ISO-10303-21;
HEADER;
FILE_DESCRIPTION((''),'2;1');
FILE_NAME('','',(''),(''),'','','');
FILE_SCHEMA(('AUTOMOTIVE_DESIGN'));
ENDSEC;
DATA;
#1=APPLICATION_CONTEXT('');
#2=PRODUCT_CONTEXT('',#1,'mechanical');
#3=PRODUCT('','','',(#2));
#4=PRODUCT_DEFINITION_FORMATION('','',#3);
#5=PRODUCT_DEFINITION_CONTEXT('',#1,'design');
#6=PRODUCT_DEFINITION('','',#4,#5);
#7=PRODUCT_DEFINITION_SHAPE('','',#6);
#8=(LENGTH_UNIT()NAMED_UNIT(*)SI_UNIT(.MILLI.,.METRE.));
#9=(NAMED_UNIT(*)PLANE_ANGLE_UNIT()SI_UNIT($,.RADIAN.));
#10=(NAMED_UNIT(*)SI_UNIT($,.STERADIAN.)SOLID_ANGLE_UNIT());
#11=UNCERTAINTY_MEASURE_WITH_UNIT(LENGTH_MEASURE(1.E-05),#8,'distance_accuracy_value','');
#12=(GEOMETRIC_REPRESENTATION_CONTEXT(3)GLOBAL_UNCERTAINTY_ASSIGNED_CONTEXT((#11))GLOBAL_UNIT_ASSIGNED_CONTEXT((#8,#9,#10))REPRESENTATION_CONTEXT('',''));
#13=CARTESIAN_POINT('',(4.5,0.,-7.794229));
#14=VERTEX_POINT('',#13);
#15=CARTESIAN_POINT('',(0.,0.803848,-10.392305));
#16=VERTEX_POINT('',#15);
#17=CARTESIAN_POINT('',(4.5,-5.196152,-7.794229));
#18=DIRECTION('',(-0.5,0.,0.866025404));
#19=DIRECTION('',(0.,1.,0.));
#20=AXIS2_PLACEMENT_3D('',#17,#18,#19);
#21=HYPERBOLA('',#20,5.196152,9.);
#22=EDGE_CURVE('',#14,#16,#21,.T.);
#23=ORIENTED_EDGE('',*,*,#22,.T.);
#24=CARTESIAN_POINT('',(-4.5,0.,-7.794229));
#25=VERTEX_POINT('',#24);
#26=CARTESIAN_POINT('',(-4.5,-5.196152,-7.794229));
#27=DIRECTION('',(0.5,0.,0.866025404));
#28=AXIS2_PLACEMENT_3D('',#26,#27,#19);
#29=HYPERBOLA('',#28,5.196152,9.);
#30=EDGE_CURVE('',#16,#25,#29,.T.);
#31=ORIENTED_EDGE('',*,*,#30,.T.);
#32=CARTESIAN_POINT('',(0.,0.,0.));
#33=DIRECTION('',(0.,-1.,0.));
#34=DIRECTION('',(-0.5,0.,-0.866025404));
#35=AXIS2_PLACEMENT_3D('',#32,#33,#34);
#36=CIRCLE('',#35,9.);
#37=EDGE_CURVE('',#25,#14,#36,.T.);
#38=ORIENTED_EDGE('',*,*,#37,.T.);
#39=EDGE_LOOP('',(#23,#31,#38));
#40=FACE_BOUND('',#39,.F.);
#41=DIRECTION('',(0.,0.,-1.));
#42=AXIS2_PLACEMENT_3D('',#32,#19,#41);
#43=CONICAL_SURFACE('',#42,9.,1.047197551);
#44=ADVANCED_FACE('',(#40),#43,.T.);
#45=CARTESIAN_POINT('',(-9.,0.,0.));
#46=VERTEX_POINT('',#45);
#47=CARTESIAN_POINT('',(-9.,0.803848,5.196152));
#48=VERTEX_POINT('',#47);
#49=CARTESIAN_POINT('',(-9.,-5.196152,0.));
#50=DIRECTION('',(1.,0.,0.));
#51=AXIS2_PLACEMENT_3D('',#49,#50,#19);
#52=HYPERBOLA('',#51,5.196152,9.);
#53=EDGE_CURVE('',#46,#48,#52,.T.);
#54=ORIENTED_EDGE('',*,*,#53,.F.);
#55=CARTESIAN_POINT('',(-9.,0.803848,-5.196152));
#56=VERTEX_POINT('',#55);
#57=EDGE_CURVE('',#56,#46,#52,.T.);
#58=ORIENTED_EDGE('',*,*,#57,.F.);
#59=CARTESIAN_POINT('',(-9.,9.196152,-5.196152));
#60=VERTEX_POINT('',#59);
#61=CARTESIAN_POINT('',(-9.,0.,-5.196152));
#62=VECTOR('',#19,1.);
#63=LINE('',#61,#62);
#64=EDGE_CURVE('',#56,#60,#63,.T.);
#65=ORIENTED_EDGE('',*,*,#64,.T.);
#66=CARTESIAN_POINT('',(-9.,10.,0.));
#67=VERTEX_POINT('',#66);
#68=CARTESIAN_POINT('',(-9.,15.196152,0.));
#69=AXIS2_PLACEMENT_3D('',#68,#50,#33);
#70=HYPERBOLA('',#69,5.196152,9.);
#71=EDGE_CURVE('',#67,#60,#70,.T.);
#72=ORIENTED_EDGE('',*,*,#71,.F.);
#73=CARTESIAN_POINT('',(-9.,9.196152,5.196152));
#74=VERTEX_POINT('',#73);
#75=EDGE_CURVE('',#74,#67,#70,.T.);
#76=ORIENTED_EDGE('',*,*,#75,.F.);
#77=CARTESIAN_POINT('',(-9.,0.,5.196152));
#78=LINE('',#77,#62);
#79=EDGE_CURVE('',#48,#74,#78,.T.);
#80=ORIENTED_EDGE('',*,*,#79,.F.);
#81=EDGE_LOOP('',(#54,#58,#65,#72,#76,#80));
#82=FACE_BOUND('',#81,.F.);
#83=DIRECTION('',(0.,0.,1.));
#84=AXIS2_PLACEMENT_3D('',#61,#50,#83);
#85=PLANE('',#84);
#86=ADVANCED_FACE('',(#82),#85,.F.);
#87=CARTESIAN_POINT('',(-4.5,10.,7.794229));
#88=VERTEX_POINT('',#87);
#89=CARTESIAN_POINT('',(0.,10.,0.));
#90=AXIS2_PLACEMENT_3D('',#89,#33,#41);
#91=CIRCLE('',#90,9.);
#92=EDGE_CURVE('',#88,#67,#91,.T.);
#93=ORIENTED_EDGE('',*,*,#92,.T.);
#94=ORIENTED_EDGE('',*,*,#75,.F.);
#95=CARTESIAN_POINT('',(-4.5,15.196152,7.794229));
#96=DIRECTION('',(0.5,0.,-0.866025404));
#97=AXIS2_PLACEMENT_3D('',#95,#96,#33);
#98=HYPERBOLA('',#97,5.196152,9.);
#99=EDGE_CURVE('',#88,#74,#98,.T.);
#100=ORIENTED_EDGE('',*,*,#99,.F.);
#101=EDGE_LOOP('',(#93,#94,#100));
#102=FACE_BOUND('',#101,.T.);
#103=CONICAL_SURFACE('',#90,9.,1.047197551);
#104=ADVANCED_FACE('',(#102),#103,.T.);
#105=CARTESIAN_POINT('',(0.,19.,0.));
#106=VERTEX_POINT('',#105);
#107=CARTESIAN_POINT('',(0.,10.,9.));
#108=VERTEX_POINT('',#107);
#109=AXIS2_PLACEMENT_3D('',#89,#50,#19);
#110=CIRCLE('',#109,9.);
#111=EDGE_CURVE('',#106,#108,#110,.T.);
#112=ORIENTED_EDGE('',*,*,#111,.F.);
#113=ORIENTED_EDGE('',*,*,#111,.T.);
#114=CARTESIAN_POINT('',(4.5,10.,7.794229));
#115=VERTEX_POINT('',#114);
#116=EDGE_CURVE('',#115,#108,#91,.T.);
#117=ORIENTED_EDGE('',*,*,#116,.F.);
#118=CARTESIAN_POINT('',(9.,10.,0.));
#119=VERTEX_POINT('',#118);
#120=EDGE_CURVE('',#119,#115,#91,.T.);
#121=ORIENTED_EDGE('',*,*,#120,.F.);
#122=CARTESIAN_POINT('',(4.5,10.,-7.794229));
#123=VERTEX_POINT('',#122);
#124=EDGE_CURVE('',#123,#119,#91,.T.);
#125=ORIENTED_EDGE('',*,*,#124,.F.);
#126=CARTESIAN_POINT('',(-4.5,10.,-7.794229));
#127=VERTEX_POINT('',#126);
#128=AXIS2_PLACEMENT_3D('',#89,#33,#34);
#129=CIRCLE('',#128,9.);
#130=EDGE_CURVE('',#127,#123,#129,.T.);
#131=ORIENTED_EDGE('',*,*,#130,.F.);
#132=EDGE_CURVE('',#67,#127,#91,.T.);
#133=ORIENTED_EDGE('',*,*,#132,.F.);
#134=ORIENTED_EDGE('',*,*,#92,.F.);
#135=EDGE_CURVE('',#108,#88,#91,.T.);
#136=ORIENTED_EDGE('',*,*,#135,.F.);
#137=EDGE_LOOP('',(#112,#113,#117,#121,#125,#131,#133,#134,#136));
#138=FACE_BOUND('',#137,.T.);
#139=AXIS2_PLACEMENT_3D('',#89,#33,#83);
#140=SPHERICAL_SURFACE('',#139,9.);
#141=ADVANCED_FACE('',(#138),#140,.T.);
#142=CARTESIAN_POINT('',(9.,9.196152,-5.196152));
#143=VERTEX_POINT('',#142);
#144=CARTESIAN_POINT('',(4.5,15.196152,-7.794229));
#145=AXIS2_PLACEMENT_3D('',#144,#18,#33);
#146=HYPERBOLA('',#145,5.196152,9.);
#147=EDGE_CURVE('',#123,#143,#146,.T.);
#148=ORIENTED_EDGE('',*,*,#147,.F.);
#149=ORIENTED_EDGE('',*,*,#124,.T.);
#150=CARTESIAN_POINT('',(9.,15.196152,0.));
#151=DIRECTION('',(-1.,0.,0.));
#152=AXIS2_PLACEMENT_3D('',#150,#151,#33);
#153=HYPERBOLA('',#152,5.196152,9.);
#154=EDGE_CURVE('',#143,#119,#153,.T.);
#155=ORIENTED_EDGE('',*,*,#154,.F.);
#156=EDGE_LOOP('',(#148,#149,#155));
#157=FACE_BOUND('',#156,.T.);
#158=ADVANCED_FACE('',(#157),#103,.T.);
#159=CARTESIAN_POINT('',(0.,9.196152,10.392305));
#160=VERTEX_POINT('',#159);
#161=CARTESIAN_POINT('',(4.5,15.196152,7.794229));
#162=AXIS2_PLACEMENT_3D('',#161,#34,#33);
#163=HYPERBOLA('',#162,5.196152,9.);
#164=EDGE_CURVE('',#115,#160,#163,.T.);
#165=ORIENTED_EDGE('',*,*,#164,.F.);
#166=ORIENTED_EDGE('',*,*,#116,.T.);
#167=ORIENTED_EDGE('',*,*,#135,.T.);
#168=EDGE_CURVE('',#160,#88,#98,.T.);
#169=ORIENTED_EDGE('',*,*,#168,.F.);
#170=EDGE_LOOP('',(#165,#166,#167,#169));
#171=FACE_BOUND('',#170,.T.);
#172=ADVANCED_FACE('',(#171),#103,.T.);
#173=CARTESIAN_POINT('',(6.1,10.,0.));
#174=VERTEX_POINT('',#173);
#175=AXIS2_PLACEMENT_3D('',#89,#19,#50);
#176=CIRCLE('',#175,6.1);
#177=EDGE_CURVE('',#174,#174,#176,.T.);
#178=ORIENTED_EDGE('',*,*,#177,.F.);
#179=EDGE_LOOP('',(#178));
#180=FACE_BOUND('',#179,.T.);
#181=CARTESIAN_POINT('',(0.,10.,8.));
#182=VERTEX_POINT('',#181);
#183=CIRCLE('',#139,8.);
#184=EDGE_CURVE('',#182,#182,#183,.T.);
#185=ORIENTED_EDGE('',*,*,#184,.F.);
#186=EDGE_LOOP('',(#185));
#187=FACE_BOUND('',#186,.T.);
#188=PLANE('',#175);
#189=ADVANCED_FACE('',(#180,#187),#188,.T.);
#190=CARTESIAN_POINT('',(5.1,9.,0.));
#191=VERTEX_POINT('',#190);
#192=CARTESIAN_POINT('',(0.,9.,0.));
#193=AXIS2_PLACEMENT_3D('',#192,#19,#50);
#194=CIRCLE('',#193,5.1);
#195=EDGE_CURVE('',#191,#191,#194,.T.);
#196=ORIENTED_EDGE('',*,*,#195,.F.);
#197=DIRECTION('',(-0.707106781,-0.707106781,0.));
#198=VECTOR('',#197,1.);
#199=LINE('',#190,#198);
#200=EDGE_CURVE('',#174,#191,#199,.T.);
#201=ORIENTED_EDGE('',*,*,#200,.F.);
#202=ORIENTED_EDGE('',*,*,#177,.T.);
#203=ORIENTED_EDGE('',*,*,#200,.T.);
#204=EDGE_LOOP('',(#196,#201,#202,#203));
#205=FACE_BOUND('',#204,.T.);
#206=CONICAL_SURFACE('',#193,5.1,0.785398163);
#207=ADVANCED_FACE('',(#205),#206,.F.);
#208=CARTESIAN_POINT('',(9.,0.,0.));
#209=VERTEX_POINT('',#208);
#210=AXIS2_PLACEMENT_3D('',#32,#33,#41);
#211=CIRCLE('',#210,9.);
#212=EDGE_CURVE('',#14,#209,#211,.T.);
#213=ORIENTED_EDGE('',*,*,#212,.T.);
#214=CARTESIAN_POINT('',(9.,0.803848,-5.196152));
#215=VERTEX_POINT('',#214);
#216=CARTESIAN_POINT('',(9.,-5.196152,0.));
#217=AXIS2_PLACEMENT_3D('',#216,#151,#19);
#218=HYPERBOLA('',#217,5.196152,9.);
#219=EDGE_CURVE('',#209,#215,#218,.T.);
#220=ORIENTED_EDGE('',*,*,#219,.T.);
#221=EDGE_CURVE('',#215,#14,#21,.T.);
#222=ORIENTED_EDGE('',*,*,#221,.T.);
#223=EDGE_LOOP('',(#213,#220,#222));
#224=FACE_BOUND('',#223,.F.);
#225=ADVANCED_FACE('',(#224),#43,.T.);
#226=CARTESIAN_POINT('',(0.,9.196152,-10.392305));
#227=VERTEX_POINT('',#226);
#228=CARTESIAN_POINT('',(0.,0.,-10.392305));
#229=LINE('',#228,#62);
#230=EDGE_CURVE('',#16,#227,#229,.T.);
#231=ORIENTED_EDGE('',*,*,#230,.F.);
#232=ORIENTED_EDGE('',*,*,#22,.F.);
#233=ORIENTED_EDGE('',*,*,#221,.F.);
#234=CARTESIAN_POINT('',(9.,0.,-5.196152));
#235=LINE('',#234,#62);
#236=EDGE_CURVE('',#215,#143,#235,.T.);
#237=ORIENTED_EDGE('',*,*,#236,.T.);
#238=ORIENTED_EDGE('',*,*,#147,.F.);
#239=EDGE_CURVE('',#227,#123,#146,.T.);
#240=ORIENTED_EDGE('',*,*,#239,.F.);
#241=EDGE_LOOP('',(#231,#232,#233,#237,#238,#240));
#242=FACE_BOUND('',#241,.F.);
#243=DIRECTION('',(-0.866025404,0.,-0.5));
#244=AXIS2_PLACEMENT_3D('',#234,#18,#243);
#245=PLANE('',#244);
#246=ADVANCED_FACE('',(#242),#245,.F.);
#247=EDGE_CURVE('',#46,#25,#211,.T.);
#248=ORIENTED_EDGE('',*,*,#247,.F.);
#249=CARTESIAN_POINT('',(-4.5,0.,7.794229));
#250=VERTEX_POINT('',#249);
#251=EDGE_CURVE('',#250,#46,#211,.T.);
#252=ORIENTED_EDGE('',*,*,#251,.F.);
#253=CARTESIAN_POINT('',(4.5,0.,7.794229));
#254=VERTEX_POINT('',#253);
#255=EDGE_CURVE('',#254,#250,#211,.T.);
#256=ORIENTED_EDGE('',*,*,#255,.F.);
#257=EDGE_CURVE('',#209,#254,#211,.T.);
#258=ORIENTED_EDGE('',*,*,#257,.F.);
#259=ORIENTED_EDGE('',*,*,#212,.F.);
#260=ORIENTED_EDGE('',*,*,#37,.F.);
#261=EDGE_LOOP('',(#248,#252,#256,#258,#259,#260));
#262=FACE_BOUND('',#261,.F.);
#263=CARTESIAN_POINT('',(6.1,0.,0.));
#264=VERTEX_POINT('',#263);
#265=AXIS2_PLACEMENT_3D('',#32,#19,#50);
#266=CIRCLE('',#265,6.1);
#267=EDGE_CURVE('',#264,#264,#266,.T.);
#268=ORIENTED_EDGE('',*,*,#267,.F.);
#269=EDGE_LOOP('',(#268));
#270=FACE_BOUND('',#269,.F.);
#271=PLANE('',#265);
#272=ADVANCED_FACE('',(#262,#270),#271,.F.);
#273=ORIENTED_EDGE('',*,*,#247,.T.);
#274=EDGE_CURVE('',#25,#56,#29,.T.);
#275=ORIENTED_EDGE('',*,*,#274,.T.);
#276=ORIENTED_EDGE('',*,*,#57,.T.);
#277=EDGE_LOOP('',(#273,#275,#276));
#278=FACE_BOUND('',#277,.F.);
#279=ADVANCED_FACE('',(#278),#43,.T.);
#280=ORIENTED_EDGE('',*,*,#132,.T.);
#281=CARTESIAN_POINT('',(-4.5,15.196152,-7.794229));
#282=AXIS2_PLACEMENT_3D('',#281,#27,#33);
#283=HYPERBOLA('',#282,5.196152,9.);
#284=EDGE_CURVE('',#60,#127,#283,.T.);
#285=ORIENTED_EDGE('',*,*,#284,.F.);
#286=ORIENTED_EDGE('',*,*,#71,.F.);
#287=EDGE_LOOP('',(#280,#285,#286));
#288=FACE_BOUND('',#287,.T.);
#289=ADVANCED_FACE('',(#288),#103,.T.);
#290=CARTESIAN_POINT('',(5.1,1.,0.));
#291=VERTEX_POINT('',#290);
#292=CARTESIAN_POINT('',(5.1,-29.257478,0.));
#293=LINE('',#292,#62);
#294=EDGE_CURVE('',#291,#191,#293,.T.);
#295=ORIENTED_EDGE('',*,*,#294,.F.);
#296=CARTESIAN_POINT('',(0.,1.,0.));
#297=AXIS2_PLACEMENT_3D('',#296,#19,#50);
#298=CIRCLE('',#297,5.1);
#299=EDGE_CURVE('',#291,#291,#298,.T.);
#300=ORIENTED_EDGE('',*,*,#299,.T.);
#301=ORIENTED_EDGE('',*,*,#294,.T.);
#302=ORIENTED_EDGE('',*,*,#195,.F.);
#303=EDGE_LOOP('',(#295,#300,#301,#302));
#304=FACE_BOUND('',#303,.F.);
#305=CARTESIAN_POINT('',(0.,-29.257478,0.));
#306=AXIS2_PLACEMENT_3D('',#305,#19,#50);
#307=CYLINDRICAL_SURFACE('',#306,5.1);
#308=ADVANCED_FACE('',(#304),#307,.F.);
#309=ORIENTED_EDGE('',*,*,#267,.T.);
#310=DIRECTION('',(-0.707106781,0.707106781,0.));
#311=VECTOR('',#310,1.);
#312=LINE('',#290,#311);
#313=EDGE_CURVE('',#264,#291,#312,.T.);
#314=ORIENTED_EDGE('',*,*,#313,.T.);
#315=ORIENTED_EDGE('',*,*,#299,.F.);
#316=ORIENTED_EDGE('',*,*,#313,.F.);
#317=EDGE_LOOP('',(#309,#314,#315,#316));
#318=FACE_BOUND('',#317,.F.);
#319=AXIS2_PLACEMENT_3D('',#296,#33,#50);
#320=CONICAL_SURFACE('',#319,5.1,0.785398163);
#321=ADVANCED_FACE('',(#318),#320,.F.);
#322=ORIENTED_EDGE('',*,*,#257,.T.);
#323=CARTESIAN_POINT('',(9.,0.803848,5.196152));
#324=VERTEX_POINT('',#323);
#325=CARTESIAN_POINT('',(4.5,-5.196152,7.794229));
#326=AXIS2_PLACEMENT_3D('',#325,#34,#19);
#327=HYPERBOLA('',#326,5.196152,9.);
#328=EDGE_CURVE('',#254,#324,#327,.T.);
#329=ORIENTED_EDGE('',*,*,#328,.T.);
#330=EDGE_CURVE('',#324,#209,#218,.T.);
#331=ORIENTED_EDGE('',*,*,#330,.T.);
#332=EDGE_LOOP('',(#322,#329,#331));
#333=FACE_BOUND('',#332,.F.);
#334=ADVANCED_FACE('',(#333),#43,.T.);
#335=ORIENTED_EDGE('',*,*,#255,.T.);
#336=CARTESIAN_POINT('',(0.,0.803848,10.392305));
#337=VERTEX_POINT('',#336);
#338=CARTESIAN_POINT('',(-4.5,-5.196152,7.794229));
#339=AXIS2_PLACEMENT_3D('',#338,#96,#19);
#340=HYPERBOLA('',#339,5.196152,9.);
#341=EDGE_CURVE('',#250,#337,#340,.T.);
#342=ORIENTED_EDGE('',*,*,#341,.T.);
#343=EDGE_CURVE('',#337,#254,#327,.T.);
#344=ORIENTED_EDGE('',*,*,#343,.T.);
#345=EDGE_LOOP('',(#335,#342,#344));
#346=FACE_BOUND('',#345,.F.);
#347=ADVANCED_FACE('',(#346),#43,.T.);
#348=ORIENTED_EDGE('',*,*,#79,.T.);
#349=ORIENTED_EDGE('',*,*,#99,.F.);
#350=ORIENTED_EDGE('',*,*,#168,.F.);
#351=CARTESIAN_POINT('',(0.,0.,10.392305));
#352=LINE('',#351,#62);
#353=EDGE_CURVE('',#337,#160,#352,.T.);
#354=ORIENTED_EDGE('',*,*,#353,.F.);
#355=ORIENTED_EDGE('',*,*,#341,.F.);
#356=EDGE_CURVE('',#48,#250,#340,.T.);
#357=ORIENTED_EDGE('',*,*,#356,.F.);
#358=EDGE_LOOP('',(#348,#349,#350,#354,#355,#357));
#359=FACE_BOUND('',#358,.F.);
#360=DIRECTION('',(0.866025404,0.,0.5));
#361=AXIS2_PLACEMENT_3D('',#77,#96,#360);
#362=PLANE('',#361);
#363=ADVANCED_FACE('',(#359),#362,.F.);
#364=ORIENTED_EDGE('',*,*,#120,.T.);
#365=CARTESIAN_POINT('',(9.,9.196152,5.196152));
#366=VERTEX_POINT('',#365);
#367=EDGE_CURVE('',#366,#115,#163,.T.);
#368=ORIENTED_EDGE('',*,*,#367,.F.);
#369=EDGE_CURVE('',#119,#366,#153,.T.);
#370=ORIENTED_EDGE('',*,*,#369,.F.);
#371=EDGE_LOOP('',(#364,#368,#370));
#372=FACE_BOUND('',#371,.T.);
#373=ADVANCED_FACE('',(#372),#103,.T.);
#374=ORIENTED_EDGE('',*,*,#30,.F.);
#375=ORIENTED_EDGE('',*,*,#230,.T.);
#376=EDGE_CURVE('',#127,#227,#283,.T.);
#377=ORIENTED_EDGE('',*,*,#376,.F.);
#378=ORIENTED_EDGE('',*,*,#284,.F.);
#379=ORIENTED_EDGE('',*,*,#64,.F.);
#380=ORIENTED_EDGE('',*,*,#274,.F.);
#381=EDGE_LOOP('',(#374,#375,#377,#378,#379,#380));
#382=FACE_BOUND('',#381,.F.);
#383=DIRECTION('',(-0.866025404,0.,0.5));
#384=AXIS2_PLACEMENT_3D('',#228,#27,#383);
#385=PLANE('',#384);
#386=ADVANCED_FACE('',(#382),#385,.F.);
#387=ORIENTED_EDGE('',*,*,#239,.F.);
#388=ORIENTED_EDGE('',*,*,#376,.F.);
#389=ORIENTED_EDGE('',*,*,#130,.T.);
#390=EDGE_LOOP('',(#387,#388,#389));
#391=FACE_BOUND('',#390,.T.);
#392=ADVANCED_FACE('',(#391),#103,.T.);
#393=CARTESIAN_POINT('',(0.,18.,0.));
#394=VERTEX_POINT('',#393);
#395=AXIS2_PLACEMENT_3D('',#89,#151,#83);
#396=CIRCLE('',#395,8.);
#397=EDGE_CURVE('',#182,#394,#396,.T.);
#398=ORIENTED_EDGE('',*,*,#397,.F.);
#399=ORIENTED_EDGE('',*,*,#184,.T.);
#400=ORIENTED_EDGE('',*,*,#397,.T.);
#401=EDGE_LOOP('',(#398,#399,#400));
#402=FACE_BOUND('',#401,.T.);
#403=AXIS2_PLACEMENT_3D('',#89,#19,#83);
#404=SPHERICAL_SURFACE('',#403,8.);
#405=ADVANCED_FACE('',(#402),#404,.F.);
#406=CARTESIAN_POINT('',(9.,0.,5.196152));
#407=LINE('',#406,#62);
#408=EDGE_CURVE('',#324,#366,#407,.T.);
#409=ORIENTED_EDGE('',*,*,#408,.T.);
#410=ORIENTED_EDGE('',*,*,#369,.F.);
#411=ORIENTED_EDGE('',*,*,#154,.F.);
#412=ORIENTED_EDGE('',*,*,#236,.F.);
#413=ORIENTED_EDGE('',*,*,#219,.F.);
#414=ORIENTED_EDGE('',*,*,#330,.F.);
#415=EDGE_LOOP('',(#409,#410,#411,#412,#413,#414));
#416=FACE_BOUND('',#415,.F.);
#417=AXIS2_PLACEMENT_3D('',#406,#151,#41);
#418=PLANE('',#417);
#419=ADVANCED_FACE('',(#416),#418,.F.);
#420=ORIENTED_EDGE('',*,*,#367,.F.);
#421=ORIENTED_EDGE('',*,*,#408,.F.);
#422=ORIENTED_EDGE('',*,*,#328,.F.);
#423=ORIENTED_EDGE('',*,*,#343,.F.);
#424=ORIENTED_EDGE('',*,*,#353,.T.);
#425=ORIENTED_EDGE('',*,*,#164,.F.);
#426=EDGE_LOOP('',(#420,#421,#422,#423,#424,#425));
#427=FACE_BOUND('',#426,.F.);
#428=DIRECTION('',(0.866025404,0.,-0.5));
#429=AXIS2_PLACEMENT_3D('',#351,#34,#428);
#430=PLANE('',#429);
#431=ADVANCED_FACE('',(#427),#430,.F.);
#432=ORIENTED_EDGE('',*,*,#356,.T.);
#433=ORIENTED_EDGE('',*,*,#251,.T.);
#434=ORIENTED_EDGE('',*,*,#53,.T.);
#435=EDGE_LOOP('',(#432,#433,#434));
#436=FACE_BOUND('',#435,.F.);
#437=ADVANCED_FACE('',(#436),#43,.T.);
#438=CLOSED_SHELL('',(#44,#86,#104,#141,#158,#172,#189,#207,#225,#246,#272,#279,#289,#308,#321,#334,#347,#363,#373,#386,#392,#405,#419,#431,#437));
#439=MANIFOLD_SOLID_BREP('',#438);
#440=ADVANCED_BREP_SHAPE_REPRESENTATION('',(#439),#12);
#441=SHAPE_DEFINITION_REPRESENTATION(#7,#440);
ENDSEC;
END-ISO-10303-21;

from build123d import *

# Parameters (mm, degrees)
EXTRUDE_1_DEPTH     = 10
HOLE_WIZARD_M12_1_D = 10.2
CHAMFER_2_SIZE      = 1


with BuildPart() as part:
    # 草图1 → 凸台-拉伸1 (new body)
    with BuildSketch(Plane(origin=(0, 0, 0), x_dir=(1, 0, 0), z_dir=(0, 1, 0))):
        Polygon((9, -5.196152423), (9, 5.196152423), (0, 10.392304845), (-9, 5.196152423), (-9, -5.196152423), (0, -10.392304845), align=None)
    extrude(amount=EXTRUDE_1_DEPTH)

    # 草图3 → 切除-旋转1 (revolve, cut)
    with BuildSketch(Plane(origin=(0, 0, 0), x_dir=(0, 0, -1), z_dir=(1, 0, 0))):
        Polygon((9, 10), (10.392304845, 9.196152423), (10.392304845, 10), align=None)
    cut_revolve_1 = revolve(axis=Axis((0, 12.408393564, 0), (0, -1, 0)), mode=Mode.SUBTRACT)

    # 镜向1: 切除-旋转1 across plane
    add(cut_revolve_1.mirror(Plane.ZX.offset(5)), mode=Mode.SUBTRACT)

    # M12 螺纹孔1 (through all)
    with Locations(Plane(origin=(0, 0, 0), x_dir=(-1, 0, 0), z_dir=(0, -1, 0))):
        with Locations((0, 0)):
            Hole(HOLE_WIZARD_M12_1_D / 2)

    # 倒角2
    chamfer_2_edges = [part.edges().sort_by_distance(p)[0] for p in [
        (-5.1, 0, 0),
        (-5.1, 10, 0),
    ]]
    chamfer(chamfer_2_edges, length=CHAMFER_2_SIZE)

    # 草图9 → 旋转-薄壁1 (revolve)
    with BuildSketch(Plane(origin=(0, 0, 0), x_dir=(0, 0, -1), z_dir=(1, 0, 0)), mode=Mode.PRIVATE) as revolve_1_sk:
        with BuildLine():
            ThreePointArc((0, 19), (6.363961031, 16.363961031), (9, 10))
            Line((9, 10), (8, 10))
            ThreePointArc((8, 10), (5.656854249, 15.656854249), (0, 18))
            Line((0, 18), (0, 19))
        make_face()
    revolve(revolve_1_sk.sketch.rotate(Axis((0, 21.479292142, 0), (0, -1, 0)), 180), axis=Axis((0, 21.479292142, 0), (0, -1, 0)))


solid = part.part
